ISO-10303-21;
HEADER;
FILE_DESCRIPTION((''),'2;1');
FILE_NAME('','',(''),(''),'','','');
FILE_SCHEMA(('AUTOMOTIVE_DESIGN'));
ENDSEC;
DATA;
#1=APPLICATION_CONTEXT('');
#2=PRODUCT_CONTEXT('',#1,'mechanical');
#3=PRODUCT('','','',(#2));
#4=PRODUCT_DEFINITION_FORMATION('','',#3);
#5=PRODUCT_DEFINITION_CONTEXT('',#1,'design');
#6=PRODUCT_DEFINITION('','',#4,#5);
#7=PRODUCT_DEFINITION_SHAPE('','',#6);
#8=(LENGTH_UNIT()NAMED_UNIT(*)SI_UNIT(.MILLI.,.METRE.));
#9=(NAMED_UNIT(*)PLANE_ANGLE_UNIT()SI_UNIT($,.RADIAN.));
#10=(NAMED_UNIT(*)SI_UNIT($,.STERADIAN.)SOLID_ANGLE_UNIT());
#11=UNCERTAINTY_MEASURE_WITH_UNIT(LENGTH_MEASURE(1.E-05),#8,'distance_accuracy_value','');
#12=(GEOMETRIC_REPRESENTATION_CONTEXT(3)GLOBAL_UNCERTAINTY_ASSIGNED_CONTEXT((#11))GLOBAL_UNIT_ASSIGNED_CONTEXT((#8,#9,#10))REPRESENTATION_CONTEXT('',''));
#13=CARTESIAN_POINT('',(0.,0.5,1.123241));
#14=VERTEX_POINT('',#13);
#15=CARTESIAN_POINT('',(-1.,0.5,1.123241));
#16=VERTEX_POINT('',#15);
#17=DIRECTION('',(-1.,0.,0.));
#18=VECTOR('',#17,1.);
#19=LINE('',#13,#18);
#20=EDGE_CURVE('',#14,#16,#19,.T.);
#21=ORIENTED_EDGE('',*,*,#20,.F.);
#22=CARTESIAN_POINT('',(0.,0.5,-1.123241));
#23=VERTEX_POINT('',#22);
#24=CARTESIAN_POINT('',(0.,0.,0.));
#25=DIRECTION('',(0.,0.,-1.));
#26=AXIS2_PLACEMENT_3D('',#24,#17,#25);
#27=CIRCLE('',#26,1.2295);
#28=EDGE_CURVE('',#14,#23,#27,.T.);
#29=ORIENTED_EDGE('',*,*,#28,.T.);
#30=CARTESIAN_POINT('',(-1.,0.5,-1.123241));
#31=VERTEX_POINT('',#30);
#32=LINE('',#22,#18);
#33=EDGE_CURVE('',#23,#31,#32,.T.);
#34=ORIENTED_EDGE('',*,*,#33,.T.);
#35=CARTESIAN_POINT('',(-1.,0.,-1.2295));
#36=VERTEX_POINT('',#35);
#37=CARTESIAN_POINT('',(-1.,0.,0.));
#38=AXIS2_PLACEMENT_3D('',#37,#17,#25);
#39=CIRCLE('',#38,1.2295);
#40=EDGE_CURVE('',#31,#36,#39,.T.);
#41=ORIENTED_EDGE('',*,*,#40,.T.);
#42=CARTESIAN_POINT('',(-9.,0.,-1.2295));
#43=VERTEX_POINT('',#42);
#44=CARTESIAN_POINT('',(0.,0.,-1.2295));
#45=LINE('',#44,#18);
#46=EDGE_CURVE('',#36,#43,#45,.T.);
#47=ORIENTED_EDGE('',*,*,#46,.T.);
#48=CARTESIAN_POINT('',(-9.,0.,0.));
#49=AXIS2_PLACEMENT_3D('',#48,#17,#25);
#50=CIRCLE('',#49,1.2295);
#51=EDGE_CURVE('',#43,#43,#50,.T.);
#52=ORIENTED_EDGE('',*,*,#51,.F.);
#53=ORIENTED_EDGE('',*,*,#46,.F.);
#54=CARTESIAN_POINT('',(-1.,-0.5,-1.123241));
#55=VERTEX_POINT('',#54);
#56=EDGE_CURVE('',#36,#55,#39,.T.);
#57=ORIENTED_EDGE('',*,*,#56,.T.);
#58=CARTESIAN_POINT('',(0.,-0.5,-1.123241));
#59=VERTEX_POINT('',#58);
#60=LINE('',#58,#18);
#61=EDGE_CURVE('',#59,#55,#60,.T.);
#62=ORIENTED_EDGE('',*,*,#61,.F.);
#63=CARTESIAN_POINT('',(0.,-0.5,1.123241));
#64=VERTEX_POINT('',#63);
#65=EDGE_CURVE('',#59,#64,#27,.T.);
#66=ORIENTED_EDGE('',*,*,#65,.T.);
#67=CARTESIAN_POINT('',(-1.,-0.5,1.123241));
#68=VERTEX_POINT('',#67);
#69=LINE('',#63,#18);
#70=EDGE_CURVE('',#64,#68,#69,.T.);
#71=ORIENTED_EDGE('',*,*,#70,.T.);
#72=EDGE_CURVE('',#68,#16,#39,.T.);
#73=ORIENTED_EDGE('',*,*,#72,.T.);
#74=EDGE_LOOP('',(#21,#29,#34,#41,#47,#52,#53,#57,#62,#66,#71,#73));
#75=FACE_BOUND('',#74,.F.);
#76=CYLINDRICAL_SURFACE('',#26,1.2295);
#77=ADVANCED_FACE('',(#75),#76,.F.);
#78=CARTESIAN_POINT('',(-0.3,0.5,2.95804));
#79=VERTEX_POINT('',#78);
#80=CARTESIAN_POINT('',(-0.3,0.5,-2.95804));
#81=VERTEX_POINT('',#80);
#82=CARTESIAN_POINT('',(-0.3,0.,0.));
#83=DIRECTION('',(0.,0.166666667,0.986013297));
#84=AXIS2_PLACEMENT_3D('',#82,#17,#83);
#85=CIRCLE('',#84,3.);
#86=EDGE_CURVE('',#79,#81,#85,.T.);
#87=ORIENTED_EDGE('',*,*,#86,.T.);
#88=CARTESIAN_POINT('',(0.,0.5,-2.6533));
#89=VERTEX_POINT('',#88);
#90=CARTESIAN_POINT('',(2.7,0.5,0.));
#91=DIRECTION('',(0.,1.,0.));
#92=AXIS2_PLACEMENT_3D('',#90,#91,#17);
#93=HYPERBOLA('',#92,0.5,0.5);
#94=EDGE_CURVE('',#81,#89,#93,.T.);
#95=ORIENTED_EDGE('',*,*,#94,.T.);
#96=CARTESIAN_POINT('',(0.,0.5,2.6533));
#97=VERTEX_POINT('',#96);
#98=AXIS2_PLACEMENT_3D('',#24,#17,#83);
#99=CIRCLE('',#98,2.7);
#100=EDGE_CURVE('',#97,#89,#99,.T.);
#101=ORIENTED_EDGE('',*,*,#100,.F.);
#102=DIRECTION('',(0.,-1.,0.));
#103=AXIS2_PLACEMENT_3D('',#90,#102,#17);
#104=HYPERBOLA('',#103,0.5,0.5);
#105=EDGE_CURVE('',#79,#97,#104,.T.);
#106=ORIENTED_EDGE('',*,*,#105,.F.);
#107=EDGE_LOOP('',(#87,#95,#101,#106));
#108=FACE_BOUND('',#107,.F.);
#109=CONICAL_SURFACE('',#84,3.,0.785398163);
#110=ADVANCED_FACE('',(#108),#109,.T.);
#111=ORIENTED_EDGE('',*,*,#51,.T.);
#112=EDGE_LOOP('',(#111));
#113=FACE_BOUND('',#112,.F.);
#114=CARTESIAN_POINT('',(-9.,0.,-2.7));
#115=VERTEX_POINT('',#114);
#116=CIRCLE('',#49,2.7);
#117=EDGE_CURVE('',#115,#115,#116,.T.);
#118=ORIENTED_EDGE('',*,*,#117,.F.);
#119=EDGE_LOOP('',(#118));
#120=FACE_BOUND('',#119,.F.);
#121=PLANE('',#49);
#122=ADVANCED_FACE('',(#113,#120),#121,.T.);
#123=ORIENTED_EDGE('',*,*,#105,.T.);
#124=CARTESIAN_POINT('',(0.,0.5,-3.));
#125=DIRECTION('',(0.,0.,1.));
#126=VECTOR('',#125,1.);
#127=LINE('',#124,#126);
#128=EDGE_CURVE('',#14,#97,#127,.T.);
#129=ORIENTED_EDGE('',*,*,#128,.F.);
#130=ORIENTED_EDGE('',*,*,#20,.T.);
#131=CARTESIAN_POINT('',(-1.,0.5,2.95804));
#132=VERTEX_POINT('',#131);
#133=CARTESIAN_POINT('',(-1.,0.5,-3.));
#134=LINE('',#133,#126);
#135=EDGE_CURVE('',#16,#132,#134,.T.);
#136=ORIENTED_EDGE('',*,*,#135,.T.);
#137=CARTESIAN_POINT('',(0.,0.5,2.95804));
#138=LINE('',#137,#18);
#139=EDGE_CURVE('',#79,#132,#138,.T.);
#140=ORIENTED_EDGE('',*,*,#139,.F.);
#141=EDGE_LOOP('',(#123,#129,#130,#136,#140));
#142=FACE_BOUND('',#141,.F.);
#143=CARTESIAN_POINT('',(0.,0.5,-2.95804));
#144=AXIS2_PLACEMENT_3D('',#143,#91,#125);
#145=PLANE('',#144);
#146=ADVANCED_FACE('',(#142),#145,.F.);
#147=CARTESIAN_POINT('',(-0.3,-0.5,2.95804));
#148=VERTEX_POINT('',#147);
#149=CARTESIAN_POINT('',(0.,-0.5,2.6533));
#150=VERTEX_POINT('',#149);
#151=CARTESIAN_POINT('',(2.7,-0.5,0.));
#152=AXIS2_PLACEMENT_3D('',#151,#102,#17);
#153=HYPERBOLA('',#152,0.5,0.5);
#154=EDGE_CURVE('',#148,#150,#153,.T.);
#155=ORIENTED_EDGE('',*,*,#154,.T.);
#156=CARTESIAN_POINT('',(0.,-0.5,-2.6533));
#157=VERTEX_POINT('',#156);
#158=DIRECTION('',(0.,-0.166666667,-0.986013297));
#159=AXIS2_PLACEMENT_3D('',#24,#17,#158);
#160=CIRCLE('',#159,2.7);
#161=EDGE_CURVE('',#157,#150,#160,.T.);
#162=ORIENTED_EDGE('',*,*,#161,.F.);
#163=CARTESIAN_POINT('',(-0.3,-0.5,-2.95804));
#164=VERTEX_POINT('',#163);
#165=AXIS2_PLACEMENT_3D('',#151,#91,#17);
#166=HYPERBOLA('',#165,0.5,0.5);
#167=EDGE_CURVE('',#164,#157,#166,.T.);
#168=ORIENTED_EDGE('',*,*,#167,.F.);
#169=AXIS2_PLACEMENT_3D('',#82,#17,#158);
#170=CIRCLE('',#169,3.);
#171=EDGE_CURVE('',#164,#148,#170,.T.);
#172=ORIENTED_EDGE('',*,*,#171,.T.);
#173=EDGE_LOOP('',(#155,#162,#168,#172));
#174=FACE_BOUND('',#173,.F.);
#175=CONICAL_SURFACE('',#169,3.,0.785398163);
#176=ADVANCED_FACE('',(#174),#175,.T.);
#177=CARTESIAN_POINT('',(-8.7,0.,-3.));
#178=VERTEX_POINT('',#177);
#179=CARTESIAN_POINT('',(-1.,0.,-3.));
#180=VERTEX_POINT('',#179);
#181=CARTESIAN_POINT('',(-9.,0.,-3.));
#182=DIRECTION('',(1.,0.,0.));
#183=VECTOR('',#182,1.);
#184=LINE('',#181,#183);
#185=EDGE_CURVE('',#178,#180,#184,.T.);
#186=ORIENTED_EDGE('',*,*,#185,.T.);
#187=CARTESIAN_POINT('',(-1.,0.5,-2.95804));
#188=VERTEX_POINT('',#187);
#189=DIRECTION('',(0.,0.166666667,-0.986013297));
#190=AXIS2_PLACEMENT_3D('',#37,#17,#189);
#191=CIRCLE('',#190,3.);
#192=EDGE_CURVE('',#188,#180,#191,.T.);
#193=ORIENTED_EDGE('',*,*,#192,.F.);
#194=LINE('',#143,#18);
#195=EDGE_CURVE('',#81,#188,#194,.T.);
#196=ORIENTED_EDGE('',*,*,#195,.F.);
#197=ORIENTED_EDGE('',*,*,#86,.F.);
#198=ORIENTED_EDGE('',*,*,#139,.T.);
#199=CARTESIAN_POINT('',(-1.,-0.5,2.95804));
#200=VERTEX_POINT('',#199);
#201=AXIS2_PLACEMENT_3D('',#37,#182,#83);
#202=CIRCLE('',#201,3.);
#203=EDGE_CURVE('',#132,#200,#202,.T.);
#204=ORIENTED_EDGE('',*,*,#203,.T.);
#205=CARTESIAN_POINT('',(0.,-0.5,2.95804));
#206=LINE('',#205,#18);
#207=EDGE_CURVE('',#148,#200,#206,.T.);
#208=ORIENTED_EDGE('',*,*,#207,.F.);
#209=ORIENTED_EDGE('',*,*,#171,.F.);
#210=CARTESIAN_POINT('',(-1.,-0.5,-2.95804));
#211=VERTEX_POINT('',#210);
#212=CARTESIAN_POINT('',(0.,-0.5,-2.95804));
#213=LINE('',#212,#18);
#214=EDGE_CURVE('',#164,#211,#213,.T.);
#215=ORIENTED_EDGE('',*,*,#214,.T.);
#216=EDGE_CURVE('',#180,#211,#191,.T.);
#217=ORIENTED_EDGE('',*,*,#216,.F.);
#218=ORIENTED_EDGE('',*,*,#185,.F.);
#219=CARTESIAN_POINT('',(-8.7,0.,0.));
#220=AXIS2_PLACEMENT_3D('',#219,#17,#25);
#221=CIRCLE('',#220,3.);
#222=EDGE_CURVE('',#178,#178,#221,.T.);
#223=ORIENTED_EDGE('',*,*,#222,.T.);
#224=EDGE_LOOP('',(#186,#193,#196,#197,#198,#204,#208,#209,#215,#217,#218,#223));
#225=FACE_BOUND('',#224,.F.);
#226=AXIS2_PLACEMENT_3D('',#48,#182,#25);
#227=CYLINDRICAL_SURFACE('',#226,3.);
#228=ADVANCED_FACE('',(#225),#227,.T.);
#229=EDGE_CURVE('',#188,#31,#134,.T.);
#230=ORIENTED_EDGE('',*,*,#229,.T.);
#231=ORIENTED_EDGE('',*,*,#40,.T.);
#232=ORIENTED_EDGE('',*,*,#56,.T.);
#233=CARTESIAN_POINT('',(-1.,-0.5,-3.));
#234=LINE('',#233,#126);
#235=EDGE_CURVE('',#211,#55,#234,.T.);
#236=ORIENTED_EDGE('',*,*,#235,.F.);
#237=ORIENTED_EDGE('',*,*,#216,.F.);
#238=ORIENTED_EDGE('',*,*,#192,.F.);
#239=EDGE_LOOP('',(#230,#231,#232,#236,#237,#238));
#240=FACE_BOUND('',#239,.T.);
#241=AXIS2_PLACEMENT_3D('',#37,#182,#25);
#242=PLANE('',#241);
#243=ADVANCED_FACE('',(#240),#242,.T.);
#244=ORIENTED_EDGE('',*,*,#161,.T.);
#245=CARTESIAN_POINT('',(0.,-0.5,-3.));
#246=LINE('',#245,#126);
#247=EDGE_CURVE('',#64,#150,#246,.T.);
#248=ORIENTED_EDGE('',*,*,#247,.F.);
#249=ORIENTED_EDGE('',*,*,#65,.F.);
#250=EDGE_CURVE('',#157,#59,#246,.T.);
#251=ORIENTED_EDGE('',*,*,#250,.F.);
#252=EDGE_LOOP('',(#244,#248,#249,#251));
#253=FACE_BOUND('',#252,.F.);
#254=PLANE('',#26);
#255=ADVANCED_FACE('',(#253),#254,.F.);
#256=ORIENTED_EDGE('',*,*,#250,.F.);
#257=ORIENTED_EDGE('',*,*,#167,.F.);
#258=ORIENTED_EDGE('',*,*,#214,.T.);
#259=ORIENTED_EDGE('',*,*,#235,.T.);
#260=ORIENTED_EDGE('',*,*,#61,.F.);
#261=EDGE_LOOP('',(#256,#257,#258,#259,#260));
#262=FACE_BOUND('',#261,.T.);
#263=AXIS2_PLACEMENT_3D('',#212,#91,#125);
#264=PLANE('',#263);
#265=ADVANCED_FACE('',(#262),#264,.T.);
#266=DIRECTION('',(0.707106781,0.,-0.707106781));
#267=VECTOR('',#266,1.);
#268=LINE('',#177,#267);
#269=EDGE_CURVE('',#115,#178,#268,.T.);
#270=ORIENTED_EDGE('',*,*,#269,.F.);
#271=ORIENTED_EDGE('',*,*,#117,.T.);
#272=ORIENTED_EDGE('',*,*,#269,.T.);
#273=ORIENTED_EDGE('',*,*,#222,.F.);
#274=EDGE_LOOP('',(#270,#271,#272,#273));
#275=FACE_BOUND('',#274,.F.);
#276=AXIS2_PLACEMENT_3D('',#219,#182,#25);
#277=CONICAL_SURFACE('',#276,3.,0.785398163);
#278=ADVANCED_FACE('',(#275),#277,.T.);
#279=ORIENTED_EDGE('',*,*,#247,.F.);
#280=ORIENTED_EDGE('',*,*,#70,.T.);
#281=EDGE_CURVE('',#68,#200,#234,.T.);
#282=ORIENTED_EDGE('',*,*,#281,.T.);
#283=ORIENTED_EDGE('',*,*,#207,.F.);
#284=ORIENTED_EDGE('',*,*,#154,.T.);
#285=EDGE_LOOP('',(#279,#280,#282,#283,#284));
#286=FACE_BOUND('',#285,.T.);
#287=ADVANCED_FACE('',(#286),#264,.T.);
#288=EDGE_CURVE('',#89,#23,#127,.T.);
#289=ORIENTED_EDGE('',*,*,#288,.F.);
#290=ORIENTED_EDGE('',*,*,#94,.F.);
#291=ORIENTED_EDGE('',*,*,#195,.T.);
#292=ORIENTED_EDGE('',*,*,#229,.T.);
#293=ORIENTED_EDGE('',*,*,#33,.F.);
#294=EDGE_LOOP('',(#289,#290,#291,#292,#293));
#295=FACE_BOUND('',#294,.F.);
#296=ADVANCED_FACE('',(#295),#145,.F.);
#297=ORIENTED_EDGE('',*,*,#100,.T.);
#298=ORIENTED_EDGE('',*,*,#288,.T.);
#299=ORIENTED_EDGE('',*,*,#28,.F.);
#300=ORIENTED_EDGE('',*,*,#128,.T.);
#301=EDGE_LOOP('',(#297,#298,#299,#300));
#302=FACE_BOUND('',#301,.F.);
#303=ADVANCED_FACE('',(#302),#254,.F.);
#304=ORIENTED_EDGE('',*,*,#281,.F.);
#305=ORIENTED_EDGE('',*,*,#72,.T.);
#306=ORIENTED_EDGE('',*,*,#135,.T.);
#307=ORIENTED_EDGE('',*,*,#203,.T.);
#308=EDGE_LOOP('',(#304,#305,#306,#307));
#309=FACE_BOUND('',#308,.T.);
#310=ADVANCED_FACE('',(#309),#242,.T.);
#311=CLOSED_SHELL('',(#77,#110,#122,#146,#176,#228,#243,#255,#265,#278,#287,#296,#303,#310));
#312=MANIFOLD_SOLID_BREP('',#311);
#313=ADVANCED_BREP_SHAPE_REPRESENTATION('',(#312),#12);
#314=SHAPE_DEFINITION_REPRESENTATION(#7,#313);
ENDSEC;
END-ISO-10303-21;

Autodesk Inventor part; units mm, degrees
ref_plane "YZ Plane" through (0, 0, 0) normal (1, 0, 0) x (0, 1, 0)
ref_plane "XZ Plane" through (0, 0, 0) normal (0, 1, 0) x (-1, 0, 0)
ref_plane "XY Plane" through (0, 0, 0) normal (0, 0, 1) x (1, 0, 0)
sketch "スケッチ1" plane through (0, 0, 0) normal (0, 1, 0) x (-1, 0, 0)
  line L0 (0, 0) -> (9, 0)
  line L1 (9, 0) -> (9, -3)
  line L2 (9, -3) -> (0, -3)
  line L3 (0, -3) -> (0, 0)
  dimension "d0" = 9
  dimension "d1" = 3
revolve "回転1" add sketch "スケッチ1" angle 360 about axis through (0, 0, 0) along (-1, 0, 0)
sketch "スケッチ2" plane through (0, 0, 0) normal (1, 0, 0) x (0, 0, -1)
  point P0 (0, 0)
  point P1 (0, 0)
hole "穴1" at (0, 0, 0) direction (-1, 0, 0) diameter 2.459 end through all thread size "M3x0.5" class "6H" standard "ANSI Metric M Profile"
sketch "スケッチ3" plane through (0, 0, 0) normal (1, 0, 0) x (0, 0, -1)
  circle A0 centre (0, 0) radius 3 projected
  line L0 (3, 0) -> (-3, 0)
  line L1 (3, -0.5) -> (-3, -0.5)
  line L2 (3, 0.5) -> (-3, 0.5)
  line L3 (3, 0.5) -> (3, -0.5)
  line L4 (-3, 0.5) -> (-3, -0.5)
  point P0 (-2.958, -0.5)
  point P1 (2.958, -0.5)
  point P2 (2.958, 0.5)
  point P3 (-2.958, 0.5)
  dimension "d10" = 0.5
extrude "押し出し1" cut sketch "スケッチ3" against normal blind 1 contours L0 A0 L2 | A0 L1 L0
chamfer "面取り1" distance 0.3 angle 45 3 edges at (-9, 0, 3) (0, 3, 0) (0, -3, 0)
properties part number "ARU-309S" material "ステンレス鋼 AISI 304"
